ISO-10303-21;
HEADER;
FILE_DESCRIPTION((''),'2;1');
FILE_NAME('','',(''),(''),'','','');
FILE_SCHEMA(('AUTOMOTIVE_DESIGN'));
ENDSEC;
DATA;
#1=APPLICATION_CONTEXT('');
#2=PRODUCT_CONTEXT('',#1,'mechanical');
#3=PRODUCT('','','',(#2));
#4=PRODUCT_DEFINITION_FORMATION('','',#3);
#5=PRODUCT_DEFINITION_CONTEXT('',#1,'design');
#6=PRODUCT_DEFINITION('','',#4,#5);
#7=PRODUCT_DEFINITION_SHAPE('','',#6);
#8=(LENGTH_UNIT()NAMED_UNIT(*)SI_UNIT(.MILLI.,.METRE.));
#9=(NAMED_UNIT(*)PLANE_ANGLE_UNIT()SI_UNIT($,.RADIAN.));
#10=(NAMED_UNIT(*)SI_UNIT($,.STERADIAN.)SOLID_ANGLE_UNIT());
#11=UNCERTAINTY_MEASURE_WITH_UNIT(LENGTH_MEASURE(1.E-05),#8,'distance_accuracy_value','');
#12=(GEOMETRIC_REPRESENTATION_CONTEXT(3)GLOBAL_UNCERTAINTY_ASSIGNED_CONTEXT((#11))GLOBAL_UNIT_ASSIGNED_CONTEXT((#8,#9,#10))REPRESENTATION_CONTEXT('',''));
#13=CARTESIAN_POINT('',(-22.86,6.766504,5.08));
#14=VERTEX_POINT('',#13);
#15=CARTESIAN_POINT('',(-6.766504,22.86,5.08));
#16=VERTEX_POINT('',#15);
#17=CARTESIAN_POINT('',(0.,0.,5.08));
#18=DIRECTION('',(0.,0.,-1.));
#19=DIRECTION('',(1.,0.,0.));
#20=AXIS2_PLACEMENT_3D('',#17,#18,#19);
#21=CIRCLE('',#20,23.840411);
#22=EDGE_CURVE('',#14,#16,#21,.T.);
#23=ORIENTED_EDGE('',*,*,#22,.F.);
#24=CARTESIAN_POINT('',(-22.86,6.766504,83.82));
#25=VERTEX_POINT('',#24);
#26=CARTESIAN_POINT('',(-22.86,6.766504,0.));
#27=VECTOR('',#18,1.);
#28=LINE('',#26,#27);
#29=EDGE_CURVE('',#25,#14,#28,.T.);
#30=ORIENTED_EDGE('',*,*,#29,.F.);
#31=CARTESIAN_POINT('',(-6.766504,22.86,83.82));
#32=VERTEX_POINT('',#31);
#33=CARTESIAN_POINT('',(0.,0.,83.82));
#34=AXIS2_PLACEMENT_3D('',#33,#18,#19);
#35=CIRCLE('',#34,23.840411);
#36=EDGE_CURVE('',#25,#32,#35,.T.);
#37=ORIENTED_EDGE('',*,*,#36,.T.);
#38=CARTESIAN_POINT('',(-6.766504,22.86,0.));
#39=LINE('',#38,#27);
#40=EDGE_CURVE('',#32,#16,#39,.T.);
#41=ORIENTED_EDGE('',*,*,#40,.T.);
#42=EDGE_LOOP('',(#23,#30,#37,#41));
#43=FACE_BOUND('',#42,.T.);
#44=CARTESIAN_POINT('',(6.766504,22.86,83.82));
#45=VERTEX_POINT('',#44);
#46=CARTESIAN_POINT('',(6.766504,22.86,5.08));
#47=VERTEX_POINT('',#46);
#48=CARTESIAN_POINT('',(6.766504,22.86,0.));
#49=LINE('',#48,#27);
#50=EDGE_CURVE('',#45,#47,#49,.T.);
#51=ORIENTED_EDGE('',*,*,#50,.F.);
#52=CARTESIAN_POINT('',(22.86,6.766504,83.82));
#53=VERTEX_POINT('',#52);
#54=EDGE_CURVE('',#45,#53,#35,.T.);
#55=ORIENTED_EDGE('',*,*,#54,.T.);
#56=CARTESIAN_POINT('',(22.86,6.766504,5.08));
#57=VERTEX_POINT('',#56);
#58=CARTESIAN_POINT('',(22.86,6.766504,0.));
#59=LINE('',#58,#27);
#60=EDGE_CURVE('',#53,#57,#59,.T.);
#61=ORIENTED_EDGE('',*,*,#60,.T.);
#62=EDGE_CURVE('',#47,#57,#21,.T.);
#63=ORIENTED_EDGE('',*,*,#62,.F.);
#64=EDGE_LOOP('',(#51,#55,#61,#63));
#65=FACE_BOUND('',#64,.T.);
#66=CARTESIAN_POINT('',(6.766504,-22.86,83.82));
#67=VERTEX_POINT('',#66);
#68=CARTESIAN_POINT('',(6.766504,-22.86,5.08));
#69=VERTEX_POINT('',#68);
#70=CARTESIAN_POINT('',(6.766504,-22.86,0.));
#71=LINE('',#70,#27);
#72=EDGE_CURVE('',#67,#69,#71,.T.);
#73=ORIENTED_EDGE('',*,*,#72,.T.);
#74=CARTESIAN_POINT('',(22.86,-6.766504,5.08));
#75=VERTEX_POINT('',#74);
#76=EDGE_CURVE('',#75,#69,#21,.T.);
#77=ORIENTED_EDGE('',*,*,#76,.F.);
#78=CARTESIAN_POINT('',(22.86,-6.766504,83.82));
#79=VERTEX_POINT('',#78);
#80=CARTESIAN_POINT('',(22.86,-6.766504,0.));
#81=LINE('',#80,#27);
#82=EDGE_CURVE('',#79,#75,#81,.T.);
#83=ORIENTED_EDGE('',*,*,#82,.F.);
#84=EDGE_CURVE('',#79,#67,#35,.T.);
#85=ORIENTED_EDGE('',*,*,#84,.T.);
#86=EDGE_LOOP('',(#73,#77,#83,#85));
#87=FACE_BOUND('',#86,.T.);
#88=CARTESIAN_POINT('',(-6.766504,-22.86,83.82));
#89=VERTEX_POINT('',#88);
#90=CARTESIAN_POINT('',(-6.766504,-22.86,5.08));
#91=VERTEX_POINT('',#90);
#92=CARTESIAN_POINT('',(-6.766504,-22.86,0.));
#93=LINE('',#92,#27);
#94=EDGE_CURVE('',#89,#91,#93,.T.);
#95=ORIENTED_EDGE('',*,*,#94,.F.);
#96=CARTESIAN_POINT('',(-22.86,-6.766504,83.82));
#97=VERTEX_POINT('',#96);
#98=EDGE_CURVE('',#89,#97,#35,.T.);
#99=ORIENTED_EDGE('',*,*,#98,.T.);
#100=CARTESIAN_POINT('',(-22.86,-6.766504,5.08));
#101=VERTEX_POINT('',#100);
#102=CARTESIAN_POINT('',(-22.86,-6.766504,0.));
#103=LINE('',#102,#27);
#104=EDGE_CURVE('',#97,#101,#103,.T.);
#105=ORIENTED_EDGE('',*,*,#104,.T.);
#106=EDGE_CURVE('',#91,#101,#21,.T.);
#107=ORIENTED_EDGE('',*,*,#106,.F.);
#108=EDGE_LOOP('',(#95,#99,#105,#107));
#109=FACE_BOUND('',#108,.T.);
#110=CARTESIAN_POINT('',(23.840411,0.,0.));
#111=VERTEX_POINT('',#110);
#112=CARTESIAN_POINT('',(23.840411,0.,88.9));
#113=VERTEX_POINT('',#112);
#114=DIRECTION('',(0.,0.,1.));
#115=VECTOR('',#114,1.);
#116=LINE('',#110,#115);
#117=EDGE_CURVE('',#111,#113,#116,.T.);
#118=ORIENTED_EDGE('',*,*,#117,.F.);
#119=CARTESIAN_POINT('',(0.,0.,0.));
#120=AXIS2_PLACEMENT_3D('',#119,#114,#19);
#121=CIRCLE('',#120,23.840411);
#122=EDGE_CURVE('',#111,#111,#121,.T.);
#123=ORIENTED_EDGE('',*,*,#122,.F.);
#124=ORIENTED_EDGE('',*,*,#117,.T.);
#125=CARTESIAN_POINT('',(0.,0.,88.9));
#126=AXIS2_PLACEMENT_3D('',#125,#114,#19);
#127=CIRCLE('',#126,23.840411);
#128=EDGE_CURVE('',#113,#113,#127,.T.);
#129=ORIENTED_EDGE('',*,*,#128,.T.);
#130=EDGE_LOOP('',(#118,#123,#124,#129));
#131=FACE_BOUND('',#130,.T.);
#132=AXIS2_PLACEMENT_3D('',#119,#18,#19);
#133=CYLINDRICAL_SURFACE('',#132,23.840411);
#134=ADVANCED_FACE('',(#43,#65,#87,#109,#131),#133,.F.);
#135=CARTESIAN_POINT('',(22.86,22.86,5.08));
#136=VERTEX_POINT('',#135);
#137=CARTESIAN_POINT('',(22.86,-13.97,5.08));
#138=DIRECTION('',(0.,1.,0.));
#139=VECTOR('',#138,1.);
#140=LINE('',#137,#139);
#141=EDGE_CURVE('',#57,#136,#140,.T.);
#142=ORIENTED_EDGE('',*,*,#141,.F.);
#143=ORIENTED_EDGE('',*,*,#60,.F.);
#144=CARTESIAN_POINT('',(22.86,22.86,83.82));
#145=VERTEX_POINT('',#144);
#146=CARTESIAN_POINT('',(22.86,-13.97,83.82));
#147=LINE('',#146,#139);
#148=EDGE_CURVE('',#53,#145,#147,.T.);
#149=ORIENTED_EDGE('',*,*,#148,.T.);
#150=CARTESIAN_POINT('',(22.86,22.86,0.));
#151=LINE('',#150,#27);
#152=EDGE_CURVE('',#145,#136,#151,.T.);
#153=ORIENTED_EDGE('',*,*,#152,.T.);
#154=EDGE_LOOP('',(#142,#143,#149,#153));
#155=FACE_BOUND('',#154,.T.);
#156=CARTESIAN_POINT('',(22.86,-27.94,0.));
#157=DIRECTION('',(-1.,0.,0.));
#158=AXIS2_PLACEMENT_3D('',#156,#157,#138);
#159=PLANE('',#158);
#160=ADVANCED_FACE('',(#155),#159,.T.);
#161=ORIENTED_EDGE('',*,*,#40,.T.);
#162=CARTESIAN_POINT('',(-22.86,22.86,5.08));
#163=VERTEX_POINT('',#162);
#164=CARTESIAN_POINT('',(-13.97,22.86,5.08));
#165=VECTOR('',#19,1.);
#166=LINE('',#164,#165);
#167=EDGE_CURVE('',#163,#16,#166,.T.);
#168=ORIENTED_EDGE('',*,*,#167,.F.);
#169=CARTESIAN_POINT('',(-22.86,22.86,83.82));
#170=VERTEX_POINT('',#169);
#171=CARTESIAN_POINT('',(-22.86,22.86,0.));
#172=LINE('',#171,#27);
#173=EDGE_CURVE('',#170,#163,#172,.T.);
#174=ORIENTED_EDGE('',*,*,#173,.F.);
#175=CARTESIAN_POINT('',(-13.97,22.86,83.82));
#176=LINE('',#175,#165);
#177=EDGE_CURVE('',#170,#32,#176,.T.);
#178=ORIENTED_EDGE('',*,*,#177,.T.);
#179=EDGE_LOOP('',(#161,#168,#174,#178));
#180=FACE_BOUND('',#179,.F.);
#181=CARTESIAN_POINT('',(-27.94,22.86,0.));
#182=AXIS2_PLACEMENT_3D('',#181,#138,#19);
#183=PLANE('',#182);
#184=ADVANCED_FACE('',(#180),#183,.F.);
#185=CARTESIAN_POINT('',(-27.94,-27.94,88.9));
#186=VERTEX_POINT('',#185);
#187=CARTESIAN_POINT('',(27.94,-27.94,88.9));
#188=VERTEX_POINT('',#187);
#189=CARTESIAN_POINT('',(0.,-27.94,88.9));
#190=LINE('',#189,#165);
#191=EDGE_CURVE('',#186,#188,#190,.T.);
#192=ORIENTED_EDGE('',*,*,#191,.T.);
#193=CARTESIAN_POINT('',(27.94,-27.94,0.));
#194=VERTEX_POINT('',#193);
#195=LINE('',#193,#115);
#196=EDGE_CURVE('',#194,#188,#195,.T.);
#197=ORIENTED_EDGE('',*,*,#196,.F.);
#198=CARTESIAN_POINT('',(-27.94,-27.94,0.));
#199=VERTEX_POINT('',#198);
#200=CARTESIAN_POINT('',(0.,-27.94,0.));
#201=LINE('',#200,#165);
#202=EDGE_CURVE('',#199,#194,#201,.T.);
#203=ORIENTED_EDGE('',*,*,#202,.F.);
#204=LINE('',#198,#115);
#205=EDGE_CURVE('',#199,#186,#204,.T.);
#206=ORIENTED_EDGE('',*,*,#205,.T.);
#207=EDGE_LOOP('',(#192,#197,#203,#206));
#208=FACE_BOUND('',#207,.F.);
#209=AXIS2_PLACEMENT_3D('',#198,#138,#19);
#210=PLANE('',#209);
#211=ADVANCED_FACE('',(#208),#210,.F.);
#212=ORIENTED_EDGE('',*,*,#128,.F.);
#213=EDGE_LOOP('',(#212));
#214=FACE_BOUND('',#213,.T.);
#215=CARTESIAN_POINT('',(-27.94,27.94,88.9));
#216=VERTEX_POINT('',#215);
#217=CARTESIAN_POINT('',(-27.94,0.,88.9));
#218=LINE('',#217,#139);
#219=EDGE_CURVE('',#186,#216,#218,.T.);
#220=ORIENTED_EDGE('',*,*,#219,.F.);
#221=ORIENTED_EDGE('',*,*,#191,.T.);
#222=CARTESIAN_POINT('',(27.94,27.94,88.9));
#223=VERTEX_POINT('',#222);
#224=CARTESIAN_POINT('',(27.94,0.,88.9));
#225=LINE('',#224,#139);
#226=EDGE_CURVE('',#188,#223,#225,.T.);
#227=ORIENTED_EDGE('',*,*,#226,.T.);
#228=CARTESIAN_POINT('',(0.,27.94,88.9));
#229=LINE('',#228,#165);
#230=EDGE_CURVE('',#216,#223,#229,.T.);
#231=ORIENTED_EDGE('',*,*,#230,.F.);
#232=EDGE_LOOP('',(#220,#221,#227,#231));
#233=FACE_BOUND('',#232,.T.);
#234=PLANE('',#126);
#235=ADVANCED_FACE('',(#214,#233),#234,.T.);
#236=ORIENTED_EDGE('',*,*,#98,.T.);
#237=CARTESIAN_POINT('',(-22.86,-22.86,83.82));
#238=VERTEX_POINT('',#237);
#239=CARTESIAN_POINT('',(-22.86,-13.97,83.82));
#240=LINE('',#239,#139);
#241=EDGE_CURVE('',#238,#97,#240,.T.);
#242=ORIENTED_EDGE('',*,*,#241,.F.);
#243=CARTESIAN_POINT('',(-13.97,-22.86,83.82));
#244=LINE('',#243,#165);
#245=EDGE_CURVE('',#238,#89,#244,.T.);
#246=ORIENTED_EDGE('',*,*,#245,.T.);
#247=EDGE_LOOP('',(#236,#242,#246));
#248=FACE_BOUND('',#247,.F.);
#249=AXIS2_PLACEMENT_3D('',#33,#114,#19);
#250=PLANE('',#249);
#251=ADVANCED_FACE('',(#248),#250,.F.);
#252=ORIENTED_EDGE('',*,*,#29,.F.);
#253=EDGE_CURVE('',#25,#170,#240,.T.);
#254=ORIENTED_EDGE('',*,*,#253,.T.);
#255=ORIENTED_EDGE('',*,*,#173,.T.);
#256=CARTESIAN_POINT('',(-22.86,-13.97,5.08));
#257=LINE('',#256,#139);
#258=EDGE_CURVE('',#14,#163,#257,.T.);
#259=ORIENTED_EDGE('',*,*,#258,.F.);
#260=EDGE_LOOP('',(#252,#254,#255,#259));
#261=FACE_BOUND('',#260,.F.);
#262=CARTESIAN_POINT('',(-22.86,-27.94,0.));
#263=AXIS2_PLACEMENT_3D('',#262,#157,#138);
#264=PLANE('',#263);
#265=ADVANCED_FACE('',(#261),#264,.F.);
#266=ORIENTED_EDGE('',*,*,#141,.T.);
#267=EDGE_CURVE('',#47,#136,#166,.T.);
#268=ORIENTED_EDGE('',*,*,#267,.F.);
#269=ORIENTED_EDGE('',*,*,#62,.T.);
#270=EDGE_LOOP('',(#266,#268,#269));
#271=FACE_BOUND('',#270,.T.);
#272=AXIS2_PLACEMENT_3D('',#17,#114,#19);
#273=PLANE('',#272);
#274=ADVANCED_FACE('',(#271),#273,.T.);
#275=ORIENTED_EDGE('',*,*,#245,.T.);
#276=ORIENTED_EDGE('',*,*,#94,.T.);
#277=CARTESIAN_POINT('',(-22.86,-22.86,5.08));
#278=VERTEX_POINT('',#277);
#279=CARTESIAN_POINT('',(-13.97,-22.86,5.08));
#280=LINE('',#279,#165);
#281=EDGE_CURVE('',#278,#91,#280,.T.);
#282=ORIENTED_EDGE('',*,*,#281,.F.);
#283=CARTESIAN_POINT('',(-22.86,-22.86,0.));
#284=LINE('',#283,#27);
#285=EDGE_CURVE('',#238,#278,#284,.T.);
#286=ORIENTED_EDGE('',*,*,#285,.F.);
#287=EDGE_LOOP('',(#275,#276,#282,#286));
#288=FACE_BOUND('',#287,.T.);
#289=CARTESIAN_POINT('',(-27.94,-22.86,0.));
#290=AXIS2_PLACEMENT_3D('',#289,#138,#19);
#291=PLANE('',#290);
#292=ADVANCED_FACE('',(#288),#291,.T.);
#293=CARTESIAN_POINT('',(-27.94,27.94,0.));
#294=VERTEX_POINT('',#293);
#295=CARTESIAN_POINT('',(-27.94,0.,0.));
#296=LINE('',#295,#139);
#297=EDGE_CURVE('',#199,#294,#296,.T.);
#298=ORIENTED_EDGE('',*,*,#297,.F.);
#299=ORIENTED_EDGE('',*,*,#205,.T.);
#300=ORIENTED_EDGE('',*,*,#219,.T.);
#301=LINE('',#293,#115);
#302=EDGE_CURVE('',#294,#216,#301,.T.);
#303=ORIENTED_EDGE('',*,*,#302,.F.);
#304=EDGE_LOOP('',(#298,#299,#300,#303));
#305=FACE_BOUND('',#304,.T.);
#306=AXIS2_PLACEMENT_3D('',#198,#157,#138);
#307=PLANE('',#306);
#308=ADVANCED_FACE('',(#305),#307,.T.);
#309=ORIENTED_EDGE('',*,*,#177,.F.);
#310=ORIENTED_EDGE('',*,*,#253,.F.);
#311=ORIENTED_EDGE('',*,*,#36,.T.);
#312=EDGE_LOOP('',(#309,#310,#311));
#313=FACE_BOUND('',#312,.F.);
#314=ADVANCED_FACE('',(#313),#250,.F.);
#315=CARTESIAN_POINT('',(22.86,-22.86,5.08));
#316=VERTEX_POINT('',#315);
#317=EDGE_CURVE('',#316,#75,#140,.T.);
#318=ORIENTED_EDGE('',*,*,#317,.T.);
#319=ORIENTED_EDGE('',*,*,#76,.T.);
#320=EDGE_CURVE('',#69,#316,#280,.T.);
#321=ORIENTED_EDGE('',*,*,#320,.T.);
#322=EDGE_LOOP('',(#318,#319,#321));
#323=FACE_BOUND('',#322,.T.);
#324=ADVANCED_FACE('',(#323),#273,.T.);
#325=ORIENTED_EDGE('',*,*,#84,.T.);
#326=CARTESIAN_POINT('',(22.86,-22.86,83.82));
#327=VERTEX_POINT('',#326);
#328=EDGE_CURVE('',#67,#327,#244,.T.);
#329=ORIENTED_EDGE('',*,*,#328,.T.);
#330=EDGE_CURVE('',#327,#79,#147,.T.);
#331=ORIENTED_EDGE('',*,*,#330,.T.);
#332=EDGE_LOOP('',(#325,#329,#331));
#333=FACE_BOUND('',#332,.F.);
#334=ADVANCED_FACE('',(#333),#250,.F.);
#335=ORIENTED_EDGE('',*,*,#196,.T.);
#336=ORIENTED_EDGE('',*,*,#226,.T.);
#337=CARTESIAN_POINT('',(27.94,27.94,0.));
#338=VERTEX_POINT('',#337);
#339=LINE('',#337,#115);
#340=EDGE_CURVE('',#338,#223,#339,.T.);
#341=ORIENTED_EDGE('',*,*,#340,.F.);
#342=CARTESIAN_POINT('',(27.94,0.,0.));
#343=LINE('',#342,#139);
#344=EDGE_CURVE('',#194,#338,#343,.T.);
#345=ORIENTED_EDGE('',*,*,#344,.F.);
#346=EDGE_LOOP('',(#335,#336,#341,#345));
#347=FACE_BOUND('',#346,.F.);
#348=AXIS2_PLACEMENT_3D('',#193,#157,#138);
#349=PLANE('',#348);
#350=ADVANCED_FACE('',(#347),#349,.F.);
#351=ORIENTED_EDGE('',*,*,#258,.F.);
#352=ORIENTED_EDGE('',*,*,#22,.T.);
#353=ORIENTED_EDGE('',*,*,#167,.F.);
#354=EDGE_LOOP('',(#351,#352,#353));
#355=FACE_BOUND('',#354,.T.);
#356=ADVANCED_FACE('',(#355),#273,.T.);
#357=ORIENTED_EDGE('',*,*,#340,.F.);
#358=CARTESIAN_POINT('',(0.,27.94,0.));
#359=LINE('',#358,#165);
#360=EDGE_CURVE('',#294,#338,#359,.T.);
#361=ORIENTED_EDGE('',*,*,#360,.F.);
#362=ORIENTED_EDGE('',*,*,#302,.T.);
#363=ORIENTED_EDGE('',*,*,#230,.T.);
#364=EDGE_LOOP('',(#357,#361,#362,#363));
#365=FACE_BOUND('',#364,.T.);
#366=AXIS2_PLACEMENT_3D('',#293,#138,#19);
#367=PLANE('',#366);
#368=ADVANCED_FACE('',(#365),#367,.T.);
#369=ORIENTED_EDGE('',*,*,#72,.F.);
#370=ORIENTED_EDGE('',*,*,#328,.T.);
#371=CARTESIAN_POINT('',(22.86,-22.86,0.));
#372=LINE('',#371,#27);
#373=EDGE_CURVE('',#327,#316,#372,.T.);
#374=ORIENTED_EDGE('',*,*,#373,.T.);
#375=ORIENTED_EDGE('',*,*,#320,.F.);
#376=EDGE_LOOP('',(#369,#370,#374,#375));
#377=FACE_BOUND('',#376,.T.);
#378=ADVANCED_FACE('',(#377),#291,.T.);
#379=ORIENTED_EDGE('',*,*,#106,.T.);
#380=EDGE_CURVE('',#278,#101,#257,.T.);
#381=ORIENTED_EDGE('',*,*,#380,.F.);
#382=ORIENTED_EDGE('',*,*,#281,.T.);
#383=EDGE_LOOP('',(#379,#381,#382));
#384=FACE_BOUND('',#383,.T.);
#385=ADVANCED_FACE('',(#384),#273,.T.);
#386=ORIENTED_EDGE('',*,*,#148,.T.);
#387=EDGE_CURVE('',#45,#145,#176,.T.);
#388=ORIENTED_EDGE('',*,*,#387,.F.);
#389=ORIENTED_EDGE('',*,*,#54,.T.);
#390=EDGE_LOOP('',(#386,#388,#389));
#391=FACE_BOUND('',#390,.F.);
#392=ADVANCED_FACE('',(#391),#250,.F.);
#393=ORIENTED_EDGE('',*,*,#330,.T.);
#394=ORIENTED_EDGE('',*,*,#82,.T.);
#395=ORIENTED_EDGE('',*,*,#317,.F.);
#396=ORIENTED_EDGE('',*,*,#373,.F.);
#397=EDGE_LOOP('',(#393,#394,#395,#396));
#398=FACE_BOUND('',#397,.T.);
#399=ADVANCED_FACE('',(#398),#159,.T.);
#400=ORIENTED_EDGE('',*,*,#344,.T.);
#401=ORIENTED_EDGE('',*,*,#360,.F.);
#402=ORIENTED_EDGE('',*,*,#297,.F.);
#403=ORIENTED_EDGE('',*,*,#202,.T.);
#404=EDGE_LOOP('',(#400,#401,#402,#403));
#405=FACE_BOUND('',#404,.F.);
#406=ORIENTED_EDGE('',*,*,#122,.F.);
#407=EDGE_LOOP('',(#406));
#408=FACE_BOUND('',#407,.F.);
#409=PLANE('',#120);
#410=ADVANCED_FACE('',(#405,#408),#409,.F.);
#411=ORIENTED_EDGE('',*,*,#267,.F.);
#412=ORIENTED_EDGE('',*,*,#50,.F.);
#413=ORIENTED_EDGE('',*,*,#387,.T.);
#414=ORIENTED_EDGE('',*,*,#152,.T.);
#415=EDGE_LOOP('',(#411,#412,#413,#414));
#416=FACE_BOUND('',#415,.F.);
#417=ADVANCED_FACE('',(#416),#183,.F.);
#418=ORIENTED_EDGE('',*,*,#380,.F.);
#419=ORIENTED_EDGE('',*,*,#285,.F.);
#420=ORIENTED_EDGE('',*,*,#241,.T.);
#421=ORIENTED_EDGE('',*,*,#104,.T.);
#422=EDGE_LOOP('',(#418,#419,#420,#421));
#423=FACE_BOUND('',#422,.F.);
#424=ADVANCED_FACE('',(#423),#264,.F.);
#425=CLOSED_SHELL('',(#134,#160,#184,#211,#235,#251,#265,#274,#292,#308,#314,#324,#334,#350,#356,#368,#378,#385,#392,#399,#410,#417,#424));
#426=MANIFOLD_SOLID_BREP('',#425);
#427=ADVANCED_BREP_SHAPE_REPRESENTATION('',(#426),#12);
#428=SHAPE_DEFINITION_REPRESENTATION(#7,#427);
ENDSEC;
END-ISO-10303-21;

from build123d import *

# Parameters (mm, degrees)
F0_W     = 55.88
F0_H     = 55.88
F1_DEPTH = 88.9
F2_T     = -5.08
F3_R     = 23.8404105374
F4_DEPTH = 88.9


with BuildPart() as f1:
    # F0 (on Top) → F1 (new body)
    with BuildSketch(Plane.XY):
        Rectangle(F0_W, F0_H)
    extrude(amount=F1_DEPTH)

    # F2 (hollow: no face is removed)
    offset(amount=F2_T, mode=Mode.SUBTRACT)

    # F3 (on Top) → F4 (cut)
    with BuildSketch(Plane.XY):
        Circle(F3_R)
    extrude(amount=F4_DEPTH, mode=Mode.SUBTRACT)


solid = f1.part
